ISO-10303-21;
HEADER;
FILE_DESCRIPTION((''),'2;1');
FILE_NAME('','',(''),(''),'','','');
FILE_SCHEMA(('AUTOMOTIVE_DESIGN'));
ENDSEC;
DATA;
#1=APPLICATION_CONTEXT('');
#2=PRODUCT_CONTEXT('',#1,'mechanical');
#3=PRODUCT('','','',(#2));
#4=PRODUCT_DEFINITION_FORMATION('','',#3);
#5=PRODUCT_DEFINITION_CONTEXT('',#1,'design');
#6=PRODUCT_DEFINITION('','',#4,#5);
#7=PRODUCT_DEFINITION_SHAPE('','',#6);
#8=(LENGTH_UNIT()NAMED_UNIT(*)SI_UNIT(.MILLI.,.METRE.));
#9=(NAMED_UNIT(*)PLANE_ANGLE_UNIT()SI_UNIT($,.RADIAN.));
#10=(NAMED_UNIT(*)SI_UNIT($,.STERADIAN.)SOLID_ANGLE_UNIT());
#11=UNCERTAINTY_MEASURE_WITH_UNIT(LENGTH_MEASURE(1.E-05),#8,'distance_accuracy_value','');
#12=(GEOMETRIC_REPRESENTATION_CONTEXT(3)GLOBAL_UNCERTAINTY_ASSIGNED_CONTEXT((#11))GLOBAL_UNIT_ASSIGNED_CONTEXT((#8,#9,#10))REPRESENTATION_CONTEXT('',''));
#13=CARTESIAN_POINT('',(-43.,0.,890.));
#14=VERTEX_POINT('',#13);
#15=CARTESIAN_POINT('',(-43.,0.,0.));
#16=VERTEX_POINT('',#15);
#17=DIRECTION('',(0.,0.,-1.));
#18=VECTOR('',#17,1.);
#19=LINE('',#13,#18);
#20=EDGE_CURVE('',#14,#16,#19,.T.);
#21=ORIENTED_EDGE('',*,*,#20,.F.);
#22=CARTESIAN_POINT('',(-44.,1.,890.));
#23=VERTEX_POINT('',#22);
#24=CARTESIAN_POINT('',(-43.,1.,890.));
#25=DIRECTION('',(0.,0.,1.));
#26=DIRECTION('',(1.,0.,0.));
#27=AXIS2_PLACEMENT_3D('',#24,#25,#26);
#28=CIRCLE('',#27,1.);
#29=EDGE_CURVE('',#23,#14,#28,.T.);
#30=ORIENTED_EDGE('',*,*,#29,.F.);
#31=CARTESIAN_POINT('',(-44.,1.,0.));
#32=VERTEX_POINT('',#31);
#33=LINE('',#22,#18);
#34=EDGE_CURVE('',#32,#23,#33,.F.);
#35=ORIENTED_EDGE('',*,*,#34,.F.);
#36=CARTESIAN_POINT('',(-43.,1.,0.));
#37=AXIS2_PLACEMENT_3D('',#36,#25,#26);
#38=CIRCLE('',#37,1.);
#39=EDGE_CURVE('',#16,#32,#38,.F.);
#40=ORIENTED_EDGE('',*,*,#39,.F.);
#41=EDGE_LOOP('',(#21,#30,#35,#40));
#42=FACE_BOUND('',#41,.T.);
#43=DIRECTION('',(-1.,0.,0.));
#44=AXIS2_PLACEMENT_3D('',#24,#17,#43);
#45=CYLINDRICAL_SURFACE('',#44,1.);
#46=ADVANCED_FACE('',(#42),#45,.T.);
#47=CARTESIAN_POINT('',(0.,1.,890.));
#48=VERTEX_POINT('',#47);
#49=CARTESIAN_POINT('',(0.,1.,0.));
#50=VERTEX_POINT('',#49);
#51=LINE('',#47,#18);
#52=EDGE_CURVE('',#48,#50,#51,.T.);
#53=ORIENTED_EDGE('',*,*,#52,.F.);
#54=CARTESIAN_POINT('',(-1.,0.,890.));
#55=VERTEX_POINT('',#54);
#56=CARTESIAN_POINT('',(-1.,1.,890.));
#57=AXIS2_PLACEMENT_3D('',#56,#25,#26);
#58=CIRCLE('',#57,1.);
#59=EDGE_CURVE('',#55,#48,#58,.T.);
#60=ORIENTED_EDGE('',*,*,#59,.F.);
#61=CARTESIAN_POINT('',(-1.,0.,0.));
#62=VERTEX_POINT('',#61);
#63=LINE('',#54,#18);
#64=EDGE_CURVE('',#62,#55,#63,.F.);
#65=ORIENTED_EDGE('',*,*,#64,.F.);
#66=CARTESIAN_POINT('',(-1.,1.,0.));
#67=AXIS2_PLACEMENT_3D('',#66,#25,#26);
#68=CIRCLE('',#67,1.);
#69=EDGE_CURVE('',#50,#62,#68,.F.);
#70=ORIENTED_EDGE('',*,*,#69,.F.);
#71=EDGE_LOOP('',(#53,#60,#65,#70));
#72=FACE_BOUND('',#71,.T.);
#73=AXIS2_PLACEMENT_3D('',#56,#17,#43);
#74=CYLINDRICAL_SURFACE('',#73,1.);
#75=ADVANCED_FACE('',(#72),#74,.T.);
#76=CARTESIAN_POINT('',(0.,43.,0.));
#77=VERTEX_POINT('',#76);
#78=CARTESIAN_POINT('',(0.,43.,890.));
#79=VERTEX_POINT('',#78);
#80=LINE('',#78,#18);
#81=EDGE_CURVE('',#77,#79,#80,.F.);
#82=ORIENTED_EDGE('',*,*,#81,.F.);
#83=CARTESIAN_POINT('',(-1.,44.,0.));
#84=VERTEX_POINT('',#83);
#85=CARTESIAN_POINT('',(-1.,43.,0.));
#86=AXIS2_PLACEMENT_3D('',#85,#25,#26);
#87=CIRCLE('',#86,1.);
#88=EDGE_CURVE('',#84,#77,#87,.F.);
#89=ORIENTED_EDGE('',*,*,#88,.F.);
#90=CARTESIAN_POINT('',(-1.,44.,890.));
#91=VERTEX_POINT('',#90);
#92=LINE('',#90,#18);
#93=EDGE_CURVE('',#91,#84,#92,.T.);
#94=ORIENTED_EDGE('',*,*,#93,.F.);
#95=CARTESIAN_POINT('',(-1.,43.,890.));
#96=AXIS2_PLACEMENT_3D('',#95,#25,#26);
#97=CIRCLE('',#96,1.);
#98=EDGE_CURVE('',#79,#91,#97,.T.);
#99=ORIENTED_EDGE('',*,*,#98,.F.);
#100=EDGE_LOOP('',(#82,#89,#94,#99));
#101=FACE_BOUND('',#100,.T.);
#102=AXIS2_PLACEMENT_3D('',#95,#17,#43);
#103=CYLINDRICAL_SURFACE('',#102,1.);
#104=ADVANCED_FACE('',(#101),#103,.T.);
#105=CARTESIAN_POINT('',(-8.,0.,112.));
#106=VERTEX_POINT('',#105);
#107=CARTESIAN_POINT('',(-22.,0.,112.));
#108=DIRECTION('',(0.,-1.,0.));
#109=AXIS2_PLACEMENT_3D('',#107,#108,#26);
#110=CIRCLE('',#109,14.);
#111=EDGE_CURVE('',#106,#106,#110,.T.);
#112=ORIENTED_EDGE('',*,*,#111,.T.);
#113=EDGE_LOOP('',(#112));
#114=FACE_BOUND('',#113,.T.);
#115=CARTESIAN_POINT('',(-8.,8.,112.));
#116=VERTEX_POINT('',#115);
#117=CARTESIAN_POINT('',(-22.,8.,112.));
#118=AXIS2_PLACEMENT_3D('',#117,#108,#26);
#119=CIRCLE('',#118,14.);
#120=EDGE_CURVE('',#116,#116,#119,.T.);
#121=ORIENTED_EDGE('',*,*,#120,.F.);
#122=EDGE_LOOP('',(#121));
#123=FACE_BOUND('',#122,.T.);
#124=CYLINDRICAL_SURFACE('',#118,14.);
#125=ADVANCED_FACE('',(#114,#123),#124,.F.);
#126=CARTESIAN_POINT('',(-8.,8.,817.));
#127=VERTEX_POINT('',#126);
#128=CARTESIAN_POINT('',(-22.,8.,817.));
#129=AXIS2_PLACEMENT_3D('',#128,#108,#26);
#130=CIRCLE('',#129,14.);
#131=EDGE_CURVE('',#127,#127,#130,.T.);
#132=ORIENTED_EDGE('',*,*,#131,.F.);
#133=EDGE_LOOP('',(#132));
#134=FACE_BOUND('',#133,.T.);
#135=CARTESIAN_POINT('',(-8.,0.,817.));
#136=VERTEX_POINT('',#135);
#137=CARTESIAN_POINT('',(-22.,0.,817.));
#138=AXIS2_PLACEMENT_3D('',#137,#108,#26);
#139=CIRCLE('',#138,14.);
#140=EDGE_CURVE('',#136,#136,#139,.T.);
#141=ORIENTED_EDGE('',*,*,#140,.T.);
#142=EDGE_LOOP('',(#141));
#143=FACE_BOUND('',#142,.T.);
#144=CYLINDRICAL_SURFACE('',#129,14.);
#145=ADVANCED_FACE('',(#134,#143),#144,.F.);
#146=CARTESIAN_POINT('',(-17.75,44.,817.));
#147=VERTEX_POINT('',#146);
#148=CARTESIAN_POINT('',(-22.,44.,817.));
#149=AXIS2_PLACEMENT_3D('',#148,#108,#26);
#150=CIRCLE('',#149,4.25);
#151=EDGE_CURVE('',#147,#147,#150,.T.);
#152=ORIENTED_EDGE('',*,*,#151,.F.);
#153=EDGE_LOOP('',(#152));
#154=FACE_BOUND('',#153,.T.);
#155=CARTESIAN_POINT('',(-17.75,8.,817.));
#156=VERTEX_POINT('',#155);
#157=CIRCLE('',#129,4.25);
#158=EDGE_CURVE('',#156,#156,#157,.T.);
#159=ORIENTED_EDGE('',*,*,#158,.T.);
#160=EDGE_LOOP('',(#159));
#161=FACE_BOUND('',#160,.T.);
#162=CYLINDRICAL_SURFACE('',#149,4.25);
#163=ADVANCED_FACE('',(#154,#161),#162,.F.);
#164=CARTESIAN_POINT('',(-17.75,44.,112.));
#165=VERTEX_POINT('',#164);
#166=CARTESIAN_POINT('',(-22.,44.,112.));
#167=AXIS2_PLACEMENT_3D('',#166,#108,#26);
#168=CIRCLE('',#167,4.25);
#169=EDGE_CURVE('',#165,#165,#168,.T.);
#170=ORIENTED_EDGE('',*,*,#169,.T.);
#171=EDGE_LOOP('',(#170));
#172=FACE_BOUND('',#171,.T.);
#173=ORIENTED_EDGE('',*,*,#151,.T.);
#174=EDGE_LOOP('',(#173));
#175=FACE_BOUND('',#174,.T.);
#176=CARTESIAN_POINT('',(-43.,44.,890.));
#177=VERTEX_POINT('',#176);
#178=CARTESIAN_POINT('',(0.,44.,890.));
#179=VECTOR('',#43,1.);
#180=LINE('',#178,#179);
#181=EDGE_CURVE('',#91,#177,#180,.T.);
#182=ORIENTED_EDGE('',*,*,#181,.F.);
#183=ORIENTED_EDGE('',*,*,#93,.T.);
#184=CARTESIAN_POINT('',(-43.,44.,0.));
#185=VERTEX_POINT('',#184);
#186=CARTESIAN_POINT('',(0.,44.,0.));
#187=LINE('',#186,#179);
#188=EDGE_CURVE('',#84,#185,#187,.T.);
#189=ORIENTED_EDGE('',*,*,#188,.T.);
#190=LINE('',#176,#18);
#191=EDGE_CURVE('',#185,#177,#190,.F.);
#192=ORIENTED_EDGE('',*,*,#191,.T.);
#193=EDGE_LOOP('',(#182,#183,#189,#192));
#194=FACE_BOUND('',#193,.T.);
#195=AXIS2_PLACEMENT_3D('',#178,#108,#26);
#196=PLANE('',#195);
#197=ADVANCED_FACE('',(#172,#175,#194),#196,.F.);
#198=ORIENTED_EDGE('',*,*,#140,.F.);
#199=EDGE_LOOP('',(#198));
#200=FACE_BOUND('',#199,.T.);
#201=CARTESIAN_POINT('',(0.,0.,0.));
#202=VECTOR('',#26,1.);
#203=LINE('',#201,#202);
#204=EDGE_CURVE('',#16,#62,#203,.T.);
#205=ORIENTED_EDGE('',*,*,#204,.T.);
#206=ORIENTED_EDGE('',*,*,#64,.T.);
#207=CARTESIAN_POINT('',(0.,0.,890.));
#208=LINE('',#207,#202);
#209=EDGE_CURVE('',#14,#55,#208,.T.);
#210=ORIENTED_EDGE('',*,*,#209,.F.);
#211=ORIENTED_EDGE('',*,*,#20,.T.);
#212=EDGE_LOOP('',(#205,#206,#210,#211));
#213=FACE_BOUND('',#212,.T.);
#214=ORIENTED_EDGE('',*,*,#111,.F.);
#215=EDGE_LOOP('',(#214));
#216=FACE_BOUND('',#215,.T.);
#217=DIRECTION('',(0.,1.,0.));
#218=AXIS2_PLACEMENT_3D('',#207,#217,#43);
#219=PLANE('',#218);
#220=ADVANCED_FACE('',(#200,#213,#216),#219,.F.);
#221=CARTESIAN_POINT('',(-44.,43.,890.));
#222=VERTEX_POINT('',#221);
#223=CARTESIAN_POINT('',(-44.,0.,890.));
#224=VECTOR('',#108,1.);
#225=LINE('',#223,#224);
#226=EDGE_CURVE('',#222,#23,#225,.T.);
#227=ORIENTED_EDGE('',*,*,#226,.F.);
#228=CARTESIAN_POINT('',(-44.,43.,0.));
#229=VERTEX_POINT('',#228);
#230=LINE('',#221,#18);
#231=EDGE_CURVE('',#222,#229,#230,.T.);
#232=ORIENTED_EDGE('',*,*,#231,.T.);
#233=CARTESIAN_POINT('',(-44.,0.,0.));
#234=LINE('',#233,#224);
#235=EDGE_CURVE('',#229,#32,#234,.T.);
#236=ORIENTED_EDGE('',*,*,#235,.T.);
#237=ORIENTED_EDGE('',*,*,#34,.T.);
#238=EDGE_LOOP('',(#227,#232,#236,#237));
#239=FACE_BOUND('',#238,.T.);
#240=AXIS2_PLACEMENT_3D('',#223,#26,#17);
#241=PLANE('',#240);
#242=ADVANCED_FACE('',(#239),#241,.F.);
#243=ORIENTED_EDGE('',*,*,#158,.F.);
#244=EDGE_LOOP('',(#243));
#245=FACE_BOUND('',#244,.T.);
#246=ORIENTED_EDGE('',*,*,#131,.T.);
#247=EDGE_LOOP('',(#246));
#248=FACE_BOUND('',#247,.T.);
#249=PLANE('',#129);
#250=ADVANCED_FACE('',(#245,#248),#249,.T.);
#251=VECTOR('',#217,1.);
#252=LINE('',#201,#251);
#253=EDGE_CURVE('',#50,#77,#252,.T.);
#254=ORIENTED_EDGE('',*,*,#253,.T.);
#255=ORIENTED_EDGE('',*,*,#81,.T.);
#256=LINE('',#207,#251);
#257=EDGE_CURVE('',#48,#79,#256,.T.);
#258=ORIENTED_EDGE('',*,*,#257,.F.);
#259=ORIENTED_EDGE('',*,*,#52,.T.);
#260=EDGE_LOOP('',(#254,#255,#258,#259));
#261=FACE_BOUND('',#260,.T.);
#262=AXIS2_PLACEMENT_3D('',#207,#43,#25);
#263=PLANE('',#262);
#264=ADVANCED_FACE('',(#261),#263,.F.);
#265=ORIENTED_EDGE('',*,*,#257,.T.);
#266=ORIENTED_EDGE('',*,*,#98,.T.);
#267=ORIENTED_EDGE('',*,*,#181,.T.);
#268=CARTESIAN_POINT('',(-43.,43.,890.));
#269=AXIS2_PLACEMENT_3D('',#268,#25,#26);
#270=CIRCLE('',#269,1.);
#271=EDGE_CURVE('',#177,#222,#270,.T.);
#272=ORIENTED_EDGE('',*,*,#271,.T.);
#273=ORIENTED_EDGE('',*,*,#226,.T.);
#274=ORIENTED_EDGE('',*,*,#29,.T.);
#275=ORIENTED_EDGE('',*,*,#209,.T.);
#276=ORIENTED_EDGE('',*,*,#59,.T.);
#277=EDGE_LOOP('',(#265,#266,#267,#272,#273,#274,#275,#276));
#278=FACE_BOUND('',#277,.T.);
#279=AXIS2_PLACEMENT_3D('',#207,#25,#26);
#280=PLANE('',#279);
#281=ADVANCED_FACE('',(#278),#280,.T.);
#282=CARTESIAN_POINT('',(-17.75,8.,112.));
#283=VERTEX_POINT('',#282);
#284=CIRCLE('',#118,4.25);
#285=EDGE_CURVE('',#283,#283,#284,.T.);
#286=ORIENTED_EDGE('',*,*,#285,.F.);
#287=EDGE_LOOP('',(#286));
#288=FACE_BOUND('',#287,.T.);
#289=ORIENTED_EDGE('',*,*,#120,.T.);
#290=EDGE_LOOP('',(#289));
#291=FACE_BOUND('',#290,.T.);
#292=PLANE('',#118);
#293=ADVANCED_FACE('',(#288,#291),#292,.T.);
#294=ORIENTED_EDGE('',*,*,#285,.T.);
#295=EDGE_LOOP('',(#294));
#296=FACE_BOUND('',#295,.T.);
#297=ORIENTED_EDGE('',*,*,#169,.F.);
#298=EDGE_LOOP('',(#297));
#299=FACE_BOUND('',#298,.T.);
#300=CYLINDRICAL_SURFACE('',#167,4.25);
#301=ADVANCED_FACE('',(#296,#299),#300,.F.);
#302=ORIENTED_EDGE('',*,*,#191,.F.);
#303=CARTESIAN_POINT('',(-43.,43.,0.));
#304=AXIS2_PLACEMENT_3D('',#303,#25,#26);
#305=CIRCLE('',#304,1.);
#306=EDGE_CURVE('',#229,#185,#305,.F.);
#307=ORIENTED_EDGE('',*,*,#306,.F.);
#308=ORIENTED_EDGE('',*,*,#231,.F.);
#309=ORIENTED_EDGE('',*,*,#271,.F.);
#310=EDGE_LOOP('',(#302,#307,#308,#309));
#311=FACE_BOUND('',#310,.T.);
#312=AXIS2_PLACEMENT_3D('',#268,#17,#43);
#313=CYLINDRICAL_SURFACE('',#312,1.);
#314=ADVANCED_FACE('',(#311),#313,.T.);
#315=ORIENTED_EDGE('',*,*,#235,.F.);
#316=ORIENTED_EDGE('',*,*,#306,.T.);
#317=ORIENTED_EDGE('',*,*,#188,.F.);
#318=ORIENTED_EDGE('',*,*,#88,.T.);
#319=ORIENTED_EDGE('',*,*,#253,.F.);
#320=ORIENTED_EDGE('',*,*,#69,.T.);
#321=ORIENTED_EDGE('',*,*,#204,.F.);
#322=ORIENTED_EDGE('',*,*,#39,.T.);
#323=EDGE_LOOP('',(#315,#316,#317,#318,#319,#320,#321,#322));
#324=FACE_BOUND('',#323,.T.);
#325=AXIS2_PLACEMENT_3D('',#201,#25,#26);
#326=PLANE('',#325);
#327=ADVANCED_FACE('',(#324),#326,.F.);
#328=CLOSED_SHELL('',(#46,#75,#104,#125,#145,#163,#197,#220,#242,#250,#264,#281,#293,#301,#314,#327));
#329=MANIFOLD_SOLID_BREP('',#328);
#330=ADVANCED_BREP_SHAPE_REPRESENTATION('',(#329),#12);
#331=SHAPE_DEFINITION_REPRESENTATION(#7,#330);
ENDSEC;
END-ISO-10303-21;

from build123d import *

# Parameters (mm, degrees)
SKETCH1_W           = 44
SKETCH1_H           = 44
BOSS_EXTRUDE1_DEPTH = 890
FILLET1_R           = 1
SKETCH2_R           = 14
CUT_EXTRUDE1_DEPTH  = 8
SKETCH3_R           = 4.25
CUT_EXTRUDE2_DEPTH  = 37


with BuildPart() as part:
    # Sketch1 → Boss-Extrude1 (new body)
    with BuildSketch(Plane.XY):
        with Locations((-22, 22)):
            Rectangle(SKETCH1_W, SKETCH1_H)
    extrude(amount=BOSS_EXTRUDE1_DEPTH)

    # Fillet1
    fillet1_edges = [part.edges().sort_by_distance(p)[0] for p in [
        (0, 0, 445),
        (-44, 0, 445),
        (-44, 44, 445),
        (0, 44, 445),
    ]]
    fillet(fillet1_edges, radius=FILLET1_R)

    # Sketch2 → Cut-Extrude1 (cut)
    with BuildSketch(Plane.XZ):
        with Locations((-22, 817)):
            Circle(SKETCH2_R)
        with Locations((-22, 112)):
            Circle(SKETCH2_R)
    extrude(amount=-CUT_EXTRUDE1_DEPTH, mode=Mode.SUBTRACT)

    # Sketch3 → Cut-Extrude2 (cut, through all)
    with BuildSketch(Plane.XZ.offset(-8)):
        with Locations((-22, 817)):
            Circle(SKETCH3_R)
        with Locations((-22, 112)):
            Circle(SKETCH3_R)
    extrude(amount=-CUT_EXTRUDE2_DEPTH, mode=Mode.SUBTRACT)


solid = part.part
